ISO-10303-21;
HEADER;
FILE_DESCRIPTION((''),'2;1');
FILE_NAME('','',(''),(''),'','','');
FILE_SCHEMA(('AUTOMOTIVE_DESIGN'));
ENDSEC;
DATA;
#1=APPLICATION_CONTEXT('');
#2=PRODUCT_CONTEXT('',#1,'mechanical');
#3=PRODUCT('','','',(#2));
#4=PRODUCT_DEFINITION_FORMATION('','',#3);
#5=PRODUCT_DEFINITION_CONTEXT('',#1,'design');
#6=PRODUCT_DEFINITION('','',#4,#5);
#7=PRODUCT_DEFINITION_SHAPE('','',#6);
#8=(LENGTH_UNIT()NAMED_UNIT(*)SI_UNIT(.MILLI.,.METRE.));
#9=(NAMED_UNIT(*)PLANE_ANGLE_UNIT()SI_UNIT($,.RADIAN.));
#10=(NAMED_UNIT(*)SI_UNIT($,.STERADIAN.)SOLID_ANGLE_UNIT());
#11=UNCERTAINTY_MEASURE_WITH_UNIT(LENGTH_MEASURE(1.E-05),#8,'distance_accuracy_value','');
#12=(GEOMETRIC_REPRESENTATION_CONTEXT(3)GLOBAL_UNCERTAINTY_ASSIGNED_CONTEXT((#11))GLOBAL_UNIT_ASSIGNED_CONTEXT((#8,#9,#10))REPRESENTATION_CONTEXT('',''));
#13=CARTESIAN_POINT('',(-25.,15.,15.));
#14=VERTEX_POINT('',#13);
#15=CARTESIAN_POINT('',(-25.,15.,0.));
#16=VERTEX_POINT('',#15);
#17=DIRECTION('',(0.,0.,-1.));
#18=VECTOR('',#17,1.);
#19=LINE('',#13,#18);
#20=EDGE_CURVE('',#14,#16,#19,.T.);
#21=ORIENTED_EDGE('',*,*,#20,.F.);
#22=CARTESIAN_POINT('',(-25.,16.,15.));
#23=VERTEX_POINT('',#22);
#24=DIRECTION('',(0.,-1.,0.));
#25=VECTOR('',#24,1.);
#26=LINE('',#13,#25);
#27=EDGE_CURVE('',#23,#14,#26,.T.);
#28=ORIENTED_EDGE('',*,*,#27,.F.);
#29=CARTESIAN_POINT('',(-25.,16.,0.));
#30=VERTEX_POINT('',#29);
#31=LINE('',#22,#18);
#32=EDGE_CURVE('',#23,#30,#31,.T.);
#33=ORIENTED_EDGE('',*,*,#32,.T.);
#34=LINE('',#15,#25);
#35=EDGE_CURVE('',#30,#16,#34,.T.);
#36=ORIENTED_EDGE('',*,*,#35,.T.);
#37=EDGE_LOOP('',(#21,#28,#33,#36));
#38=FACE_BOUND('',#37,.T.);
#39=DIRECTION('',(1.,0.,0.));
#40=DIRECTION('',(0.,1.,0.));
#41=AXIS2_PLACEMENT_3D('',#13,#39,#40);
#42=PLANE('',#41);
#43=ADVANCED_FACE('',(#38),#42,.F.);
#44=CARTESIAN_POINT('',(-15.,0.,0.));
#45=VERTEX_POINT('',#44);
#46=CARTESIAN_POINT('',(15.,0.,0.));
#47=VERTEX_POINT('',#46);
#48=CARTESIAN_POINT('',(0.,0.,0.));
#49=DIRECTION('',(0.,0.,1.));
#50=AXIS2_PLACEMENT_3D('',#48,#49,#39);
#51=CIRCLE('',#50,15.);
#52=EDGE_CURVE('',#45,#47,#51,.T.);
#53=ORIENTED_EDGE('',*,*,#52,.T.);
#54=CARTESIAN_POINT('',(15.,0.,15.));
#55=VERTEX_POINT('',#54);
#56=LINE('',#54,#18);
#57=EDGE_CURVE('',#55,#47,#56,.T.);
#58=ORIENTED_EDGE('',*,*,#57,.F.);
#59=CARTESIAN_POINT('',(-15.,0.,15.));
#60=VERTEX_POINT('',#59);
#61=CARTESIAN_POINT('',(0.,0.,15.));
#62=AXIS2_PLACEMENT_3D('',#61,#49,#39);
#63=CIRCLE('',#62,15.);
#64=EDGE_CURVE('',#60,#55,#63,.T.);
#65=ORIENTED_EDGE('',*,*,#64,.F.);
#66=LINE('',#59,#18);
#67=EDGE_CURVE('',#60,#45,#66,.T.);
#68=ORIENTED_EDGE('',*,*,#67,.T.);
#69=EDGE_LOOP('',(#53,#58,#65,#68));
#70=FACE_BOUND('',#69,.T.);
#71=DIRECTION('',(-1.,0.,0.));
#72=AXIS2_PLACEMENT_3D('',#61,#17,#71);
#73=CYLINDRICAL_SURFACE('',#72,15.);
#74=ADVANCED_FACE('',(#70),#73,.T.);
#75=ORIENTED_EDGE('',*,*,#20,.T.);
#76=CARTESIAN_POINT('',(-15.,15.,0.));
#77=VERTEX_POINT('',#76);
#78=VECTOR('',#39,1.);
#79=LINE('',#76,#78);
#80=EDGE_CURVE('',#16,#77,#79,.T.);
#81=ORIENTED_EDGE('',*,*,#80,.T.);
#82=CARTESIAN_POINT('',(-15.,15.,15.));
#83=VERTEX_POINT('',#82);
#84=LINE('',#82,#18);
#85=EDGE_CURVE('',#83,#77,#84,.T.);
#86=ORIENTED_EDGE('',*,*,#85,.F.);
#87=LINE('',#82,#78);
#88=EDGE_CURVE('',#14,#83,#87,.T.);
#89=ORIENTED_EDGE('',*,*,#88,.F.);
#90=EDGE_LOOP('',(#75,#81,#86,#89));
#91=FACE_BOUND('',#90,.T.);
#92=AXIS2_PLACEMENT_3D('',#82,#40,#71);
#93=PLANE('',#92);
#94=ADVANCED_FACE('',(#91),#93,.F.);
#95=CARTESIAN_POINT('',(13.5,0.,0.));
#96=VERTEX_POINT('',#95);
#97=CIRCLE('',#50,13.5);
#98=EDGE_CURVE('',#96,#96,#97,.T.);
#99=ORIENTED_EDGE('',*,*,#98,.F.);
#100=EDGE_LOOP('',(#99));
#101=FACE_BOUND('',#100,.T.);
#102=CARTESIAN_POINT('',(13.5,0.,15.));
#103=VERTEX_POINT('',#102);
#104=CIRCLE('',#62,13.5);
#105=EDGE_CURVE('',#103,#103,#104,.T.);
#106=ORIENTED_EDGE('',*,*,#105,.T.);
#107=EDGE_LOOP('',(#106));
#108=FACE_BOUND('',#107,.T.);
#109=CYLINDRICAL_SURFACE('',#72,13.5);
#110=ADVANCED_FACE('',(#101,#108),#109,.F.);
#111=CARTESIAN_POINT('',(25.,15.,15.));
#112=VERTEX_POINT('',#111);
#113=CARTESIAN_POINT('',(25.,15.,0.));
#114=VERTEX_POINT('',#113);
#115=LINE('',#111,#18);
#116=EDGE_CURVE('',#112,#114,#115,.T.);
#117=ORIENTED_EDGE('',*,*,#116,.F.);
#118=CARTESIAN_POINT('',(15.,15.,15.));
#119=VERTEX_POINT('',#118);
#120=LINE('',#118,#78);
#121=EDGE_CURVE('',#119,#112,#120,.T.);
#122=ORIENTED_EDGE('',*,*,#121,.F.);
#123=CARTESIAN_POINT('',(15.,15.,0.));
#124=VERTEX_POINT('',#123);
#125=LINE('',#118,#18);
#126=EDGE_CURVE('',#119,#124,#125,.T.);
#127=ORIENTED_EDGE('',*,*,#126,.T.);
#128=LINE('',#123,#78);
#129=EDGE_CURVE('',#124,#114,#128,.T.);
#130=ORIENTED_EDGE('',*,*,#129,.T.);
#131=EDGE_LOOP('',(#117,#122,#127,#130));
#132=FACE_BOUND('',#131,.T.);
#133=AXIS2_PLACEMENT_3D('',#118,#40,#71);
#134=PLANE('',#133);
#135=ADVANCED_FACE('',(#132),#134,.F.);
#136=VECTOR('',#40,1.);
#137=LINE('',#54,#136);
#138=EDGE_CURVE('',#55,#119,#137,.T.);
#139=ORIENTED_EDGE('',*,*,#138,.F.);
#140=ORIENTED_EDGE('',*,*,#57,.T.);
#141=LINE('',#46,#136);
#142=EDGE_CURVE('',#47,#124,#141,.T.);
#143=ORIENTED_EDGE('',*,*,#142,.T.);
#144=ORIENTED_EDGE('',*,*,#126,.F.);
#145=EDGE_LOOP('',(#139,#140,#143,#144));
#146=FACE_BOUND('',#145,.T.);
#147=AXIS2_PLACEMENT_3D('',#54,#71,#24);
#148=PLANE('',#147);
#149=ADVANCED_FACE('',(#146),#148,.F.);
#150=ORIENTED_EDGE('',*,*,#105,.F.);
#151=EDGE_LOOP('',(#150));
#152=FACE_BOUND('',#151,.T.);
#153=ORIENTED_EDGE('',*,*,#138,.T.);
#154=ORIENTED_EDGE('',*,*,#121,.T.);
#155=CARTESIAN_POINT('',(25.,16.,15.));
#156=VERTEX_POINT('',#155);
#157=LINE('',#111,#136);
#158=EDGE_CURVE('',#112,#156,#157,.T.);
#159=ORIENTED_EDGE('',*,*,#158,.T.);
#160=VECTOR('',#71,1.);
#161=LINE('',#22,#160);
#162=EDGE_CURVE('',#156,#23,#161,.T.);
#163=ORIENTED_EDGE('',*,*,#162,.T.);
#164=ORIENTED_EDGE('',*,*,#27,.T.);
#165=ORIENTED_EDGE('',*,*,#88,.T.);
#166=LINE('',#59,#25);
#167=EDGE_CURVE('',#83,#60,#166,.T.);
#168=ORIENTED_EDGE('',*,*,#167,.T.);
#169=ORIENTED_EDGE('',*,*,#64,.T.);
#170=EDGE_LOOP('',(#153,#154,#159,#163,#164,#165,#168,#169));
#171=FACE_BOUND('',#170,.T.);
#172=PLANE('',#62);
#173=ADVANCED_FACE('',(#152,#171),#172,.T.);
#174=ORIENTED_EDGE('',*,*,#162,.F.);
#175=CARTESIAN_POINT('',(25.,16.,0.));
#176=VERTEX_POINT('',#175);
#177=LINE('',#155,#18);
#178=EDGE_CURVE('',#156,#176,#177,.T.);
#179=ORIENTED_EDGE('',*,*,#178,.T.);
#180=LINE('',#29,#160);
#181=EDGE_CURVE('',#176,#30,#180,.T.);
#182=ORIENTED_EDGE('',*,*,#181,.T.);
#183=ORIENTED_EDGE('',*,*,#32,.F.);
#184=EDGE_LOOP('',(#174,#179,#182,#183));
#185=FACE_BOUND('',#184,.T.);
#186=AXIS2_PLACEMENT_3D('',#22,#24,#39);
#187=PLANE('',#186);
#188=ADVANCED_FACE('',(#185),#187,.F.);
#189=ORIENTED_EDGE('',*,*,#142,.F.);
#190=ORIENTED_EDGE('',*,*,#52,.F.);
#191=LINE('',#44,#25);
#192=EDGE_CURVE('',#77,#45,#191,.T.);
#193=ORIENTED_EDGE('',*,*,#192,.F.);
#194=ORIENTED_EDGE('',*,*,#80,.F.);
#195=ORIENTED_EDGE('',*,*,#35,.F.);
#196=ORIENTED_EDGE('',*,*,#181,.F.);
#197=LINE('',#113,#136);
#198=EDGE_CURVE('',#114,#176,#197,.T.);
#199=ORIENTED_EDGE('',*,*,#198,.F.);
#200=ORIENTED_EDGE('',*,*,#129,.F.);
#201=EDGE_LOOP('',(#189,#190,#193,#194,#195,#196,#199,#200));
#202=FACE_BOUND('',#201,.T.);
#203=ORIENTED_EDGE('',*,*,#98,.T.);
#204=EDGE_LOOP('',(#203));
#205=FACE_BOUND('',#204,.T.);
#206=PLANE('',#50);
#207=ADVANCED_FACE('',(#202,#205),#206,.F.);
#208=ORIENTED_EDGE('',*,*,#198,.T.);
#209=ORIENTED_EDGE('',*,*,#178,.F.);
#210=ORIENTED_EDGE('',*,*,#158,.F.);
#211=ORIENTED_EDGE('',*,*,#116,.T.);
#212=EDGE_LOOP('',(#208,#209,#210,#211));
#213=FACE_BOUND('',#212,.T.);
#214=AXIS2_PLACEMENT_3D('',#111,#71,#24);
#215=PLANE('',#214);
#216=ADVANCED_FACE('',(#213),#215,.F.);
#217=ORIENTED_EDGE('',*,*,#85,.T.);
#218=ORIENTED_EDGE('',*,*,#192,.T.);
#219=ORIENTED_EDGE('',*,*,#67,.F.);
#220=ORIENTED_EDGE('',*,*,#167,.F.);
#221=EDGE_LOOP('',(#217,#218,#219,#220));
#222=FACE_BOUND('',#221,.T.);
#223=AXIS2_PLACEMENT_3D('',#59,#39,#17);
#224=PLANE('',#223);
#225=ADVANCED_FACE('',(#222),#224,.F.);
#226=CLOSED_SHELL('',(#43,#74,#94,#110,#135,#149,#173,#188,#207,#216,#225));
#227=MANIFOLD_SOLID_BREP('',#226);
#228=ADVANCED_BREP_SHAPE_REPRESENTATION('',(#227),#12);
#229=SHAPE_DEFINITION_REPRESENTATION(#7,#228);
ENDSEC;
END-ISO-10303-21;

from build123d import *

# Parameters (mm, degrees)
SKETCH1_R           = 13.5
BOSS_EXTRUDE1_DEPTH = 15


with BuildPart() as part:
    # Sketch1 → Boss-Extrude1 (new body)
    with BuildSketch(Plane.XY):
        with BuildLine():
            Line((-15, 0), (-15, 15))
            Line((-15, 15), (-25, 15))
            Line((-25, 15), (-25, 16))
            Line((-25, 16), (25, 16))
            Line((25, 16), (25, 15))
            Line((25, 15), (15, 15))
            Line((15, 15), (15, 0))
            ThreePointArc((15, 0), (0, -15), (-15, 0))
        make_face()
        Circle(SKETCH1_R, mode=Mode.SUBTRACT)
    extrude(amount=BOSS_EXTRUDE1_DEPTH)


solid = part.part
